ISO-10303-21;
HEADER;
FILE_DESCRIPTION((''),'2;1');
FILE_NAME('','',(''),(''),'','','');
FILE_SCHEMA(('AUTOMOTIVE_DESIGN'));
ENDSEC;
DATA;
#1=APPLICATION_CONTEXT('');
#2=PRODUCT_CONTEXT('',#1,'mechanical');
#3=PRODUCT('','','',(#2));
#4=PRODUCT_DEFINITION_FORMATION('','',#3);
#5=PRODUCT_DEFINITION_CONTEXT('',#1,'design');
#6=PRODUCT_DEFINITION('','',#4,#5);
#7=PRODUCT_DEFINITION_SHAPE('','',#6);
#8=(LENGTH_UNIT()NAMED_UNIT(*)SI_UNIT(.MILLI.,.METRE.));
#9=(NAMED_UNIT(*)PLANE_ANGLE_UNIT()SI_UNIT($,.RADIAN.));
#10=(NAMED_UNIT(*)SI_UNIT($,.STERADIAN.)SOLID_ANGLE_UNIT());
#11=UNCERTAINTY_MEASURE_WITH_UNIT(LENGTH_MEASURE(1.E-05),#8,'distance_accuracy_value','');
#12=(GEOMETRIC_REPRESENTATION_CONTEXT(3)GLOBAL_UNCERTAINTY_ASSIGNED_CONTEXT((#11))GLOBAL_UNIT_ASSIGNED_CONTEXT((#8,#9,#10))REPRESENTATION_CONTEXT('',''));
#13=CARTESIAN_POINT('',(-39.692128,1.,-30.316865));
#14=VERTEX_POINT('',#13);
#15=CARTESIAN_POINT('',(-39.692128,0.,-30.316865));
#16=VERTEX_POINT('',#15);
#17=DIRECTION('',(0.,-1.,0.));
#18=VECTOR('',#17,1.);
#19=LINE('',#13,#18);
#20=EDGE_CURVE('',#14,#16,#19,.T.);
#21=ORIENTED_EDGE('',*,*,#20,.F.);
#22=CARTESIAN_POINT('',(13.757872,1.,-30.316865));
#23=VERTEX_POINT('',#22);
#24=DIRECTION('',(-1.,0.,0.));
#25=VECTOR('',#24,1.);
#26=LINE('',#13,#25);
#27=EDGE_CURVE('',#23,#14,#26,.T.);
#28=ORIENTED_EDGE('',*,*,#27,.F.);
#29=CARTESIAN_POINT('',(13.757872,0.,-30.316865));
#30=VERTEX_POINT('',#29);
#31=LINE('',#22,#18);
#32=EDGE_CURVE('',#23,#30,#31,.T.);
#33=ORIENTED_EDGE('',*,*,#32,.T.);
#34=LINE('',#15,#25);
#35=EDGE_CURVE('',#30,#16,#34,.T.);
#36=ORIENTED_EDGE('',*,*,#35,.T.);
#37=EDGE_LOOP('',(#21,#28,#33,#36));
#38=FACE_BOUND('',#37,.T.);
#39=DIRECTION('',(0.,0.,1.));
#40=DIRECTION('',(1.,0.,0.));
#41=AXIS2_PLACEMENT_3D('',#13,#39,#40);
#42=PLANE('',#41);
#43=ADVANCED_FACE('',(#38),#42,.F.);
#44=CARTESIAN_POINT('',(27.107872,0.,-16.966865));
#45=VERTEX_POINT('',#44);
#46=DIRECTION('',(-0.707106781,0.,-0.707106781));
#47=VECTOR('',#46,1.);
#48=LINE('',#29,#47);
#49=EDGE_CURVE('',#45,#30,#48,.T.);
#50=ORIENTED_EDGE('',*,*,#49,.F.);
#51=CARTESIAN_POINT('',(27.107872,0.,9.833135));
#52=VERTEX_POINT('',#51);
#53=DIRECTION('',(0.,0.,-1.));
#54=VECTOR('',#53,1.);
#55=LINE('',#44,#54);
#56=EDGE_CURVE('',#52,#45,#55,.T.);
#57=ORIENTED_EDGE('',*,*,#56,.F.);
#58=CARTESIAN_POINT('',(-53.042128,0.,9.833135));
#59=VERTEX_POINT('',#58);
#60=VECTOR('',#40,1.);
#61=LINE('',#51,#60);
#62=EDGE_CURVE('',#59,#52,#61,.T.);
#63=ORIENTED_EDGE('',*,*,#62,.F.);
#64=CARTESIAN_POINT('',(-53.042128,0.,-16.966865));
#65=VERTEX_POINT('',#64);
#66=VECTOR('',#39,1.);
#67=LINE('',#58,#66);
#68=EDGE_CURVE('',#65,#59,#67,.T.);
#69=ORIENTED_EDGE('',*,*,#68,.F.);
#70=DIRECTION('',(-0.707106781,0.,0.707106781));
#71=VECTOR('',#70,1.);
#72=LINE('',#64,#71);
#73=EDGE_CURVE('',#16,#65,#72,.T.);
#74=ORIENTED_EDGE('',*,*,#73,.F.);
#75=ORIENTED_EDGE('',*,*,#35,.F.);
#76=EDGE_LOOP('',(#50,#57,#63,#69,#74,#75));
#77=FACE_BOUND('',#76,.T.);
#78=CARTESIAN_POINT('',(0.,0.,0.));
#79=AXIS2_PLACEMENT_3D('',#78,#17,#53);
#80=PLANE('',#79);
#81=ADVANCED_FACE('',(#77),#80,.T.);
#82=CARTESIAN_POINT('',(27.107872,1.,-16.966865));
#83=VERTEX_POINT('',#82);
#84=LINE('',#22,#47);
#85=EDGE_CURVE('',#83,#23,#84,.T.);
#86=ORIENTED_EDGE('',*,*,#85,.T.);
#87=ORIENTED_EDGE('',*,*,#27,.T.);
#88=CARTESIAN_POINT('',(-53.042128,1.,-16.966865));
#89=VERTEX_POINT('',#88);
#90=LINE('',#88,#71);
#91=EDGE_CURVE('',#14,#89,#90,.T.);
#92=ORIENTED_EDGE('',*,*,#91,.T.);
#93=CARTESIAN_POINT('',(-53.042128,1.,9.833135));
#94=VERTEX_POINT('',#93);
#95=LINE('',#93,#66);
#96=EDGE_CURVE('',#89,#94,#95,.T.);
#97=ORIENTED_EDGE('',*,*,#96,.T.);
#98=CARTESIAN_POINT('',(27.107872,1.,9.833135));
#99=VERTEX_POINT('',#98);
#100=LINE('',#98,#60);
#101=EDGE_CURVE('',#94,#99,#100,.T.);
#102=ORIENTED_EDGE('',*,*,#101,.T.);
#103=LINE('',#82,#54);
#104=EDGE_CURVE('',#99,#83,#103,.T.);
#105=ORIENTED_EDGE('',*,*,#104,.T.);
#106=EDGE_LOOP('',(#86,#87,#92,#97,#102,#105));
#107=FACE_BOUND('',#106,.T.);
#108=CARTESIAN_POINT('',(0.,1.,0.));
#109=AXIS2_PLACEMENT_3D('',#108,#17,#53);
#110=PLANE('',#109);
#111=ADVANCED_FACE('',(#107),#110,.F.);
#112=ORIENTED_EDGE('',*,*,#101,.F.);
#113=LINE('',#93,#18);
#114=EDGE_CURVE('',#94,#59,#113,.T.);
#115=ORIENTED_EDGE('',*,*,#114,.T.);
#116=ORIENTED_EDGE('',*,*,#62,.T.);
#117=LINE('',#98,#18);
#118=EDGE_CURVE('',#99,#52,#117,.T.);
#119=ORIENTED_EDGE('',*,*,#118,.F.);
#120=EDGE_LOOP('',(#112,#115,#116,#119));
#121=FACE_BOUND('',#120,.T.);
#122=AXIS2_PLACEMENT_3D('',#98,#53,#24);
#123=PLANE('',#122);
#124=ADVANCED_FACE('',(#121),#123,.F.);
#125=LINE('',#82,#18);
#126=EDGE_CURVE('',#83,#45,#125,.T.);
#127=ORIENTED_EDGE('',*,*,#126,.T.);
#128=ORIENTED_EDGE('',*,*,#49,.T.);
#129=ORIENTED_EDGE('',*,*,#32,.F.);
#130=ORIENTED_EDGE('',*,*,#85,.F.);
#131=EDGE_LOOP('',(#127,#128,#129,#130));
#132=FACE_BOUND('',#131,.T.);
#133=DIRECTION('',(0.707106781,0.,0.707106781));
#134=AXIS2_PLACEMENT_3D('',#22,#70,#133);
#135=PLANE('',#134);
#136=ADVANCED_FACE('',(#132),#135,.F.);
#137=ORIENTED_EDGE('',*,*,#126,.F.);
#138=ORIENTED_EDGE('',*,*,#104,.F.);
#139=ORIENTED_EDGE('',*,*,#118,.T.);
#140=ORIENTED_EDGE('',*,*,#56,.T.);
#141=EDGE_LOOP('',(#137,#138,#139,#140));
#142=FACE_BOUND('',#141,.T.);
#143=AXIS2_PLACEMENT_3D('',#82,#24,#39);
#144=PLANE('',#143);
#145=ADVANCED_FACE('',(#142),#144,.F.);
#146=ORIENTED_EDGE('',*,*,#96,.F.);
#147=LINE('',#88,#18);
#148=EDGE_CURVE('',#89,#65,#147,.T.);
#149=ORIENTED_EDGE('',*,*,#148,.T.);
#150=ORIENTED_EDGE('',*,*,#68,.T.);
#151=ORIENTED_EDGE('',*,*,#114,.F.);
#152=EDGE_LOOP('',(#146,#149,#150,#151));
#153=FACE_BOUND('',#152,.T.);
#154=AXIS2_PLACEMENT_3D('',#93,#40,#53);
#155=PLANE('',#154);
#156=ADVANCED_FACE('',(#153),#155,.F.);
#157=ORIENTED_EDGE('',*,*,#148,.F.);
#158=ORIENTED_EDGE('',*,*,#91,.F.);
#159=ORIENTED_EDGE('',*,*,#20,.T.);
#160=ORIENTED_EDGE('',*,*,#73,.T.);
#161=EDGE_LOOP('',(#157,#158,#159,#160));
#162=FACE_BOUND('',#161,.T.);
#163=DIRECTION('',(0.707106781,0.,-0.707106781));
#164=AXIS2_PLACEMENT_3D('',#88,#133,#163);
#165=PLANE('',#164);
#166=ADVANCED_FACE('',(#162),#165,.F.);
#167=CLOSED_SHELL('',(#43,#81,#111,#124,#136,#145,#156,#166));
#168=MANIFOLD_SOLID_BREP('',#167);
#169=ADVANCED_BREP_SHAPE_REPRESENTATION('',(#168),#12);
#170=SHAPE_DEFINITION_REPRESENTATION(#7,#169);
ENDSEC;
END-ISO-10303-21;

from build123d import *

# Parameters (mm, degrees)
BOSS_EXTRUDE1_DEPTH = 1


with BuildPart() as part:
    # Sketch1 → Boss-Extrude1 (new body)
    with BuildSketch(Plane(origin=(0, 0, 0), x_dir=(1, 0, 0), z_dir=(0, 1, 0))):
        Polygon((-39.692127922, 30.316864608), (13.757872078, 30.316864608), (27.107872078, 16.966864608), (27.107872078, -9.833135392), (-53.042127922, -9.833135392), (-53.042127922, 16.966864608), align=None)
    extrude(amount=BOSS_EXTRUDE1_DEPTH)


solid = part.part
